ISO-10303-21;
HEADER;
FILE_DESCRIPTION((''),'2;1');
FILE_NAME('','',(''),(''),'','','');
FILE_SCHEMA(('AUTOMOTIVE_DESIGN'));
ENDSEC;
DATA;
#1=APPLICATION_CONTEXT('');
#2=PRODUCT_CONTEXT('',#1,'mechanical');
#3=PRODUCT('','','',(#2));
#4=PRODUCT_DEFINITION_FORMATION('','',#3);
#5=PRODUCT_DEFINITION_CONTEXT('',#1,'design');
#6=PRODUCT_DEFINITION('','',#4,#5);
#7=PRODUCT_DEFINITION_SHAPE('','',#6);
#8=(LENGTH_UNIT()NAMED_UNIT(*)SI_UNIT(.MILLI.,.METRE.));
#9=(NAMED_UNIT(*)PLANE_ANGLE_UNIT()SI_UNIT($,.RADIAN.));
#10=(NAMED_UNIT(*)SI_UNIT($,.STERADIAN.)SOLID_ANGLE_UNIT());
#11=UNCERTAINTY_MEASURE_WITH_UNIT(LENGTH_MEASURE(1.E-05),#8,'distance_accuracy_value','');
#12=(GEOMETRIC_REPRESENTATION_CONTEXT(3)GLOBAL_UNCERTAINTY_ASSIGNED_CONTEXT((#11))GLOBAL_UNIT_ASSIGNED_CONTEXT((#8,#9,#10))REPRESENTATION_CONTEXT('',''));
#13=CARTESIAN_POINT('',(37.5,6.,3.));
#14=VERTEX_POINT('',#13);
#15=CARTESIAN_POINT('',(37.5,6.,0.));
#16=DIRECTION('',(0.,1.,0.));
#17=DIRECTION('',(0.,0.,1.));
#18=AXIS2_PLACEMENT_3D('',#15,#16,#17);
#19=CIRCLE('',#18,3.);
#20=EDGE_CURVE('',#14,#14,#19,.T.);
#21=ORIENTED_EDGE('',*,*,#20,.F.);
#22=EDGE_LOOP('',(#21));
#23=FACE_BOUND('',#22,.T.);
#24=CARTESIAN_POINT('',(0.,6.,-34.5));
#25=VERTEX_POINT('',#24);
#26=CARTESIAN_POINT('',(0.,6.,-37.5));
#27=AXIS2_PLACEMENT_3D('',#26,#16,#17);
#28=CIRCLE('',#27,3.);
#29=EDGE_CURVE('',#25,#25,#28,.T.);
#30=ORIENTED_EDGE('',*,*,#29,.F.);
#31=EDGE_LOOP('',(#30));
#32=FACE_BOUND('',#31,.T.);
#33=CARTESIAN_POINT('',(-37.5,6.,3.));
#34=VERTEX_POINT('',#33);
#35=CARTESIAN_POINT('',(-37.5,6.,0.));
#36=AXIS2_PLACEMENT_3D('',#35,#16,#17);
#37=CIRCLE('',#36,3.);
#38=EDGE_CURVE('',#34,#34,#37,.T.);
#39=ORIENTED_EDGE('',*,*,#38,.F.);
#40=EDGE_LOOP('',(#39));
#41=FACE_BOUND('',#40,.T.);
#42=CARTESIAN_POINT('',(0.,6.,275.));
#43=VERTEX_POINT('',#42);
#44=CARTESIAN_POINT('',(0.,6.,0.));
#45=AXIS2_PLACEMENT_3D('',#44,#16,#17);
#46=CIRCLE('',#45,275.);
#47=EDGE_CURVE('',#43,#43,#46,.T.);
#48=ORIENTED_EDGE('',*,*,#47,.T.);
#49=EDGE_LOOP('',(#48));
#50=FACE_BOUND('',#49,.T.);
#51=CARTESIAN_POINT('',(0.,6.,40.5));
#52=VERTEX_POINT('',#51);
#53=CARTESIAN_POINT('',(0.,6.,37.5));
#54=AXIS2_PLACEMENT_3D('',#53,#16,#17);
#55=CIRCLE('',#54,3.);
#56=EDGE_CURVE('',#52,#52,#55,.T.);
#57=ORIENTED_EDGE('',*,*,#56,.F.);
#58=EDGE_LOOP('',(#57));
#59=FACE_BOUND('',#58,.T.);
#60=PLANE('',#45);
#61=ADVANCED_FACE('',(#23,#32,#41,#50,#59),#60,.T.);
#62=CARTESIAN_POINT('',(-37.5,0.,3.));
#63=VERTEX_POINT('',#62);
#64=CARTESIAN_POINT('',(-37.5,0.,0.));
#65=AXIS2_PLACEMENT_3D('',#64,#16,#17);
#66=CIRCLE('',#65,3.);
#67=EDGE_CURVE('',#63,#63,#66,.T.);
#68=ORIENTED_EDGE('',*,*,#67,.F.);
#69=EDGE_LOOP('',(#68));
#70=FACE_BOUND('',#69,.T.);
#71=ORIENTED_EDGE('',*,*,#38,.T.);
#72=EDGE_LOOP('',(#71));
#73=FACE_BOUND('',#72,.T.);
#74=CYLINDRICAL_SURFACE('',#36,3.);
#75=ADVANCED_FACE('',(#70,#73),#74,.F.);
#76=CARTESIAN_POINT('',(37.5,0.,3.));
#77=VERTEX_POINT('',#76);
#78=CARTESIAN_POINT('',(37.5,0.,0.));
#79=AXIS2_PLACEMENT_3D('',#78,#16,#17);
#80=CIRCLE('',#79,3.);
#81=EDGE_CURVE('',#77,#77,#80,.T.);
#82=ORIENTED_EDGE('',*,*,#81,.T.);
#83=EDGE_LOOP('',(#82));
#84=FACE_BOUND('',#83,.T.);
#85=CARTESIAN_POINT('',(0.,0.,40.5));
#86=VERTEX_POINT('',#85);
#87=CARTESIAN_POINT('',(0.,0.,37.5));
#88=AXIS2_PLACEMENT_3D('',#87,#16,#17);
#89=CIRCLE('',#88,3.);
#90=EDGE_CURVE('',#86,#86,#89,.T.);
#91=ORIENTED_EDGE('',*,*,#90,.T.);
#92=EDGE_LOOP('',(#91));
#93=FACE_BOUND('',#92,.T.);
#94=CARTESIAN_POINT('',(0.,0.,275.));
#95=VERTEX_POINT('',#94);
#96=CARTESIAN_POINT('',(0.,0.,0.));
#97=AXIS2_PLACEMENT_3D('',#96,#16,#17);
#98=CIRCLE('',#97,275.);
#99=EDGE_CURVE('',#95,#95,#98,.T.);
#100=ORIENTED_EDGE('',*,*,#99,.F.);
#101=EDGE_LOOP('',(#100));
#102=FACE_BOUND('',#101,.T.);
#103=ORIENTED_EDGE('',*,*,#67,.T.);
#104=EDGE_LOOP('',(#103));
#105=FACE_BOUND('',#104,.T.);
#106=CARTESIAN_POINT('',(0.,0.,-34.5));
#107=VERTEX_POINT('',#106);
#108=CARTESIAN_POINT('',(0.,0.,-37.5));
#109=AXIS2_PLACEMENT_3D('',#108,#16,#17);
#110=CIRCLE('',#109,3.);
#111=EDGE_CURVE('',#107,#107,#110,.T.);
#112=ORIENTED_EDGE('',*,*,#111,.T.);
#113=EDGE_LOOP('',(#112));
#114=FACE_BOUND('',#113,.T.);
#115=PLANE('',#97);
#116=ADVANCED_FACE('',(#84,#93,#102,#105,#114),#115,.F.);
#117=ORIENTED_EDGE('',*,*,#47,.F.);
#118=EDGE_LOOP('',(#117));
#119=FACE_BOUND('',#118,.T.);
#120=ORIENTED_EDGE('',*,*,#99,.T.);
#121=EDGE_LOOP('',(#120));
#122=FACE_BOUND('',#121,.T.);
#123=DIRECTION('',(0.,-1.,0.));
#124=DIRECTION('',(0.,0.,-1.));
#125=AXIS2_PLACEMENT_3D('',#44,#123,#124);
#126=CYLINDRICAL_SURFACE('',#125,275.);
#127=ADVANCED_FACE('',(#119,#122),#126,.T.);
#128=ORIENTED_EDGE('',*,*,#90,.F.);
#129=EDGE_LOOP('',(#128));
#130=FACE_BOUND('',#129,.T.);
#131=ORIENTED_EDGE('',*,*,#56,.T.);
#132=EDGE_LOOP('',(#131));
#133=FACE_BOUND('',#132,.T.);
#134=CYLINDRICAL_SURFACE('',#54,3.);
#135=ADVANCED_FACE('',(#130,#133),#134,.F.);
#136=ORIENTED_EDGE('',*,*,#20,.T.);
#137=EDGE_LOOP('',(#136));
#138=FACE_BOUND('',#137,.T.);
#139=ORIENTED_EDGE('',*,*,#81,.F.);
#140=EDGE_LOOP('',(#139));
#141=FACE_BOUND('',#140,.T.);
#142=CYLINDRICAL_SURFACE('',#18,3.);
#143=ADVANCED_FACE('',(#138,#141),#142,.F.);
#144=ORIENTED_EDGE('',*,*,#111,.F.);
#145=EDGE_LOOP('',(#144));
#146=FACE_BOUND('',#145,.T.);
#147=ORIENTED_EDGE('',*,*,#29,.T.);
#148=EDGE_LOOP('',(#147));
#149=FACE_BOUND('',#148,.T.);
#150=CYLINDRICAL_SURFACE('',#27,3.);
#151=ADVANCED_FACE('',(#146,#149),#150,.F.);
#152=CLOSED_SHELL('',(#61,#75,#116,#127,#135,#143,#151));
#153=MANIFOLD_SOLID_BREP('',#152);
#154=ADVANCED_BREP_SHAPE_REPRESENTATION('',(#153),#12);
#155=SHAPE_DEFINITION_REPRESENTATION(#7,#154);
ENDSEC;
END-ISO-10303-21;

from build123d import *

# Parameters (mm, degrees)
ESBO_O1_R                  = 275
RESSALTO_EXTRUS_O1_DEPTH   = 6
FURO_DE_DI_METRO_6_0_6_1_D = 6


with BuildPart() as part:
    # Esboço1 → Ressalto-extrusão1 (new body)
    with BuildSketch(Plane(origin=(0, 0, 0), x_dir=(1, 0, 0), z_dir=(0, 1, 0))):
        with Locations(Location((0, 0, 0), (0, 0, 270))):
            Circle(ESBO_O1_R)
    extrude(amount=RESSALTO_EXTRUS_O1_DEPTH)

    # Furo de diâmetro Ø6.0 (6)1 (through all)
    with Locations(Plane(origin=(0, 6, 0), x_dir=(1, 0, 0), z_dir=(0, 1, 0))):
        with Locations((0, 37.5), (37.5, 0), (0, -37.5), (-37.5, 0)):
            Hole(FURO_DE_DI_METRO_6_0_6_1_D / 2)


solid = part.part
